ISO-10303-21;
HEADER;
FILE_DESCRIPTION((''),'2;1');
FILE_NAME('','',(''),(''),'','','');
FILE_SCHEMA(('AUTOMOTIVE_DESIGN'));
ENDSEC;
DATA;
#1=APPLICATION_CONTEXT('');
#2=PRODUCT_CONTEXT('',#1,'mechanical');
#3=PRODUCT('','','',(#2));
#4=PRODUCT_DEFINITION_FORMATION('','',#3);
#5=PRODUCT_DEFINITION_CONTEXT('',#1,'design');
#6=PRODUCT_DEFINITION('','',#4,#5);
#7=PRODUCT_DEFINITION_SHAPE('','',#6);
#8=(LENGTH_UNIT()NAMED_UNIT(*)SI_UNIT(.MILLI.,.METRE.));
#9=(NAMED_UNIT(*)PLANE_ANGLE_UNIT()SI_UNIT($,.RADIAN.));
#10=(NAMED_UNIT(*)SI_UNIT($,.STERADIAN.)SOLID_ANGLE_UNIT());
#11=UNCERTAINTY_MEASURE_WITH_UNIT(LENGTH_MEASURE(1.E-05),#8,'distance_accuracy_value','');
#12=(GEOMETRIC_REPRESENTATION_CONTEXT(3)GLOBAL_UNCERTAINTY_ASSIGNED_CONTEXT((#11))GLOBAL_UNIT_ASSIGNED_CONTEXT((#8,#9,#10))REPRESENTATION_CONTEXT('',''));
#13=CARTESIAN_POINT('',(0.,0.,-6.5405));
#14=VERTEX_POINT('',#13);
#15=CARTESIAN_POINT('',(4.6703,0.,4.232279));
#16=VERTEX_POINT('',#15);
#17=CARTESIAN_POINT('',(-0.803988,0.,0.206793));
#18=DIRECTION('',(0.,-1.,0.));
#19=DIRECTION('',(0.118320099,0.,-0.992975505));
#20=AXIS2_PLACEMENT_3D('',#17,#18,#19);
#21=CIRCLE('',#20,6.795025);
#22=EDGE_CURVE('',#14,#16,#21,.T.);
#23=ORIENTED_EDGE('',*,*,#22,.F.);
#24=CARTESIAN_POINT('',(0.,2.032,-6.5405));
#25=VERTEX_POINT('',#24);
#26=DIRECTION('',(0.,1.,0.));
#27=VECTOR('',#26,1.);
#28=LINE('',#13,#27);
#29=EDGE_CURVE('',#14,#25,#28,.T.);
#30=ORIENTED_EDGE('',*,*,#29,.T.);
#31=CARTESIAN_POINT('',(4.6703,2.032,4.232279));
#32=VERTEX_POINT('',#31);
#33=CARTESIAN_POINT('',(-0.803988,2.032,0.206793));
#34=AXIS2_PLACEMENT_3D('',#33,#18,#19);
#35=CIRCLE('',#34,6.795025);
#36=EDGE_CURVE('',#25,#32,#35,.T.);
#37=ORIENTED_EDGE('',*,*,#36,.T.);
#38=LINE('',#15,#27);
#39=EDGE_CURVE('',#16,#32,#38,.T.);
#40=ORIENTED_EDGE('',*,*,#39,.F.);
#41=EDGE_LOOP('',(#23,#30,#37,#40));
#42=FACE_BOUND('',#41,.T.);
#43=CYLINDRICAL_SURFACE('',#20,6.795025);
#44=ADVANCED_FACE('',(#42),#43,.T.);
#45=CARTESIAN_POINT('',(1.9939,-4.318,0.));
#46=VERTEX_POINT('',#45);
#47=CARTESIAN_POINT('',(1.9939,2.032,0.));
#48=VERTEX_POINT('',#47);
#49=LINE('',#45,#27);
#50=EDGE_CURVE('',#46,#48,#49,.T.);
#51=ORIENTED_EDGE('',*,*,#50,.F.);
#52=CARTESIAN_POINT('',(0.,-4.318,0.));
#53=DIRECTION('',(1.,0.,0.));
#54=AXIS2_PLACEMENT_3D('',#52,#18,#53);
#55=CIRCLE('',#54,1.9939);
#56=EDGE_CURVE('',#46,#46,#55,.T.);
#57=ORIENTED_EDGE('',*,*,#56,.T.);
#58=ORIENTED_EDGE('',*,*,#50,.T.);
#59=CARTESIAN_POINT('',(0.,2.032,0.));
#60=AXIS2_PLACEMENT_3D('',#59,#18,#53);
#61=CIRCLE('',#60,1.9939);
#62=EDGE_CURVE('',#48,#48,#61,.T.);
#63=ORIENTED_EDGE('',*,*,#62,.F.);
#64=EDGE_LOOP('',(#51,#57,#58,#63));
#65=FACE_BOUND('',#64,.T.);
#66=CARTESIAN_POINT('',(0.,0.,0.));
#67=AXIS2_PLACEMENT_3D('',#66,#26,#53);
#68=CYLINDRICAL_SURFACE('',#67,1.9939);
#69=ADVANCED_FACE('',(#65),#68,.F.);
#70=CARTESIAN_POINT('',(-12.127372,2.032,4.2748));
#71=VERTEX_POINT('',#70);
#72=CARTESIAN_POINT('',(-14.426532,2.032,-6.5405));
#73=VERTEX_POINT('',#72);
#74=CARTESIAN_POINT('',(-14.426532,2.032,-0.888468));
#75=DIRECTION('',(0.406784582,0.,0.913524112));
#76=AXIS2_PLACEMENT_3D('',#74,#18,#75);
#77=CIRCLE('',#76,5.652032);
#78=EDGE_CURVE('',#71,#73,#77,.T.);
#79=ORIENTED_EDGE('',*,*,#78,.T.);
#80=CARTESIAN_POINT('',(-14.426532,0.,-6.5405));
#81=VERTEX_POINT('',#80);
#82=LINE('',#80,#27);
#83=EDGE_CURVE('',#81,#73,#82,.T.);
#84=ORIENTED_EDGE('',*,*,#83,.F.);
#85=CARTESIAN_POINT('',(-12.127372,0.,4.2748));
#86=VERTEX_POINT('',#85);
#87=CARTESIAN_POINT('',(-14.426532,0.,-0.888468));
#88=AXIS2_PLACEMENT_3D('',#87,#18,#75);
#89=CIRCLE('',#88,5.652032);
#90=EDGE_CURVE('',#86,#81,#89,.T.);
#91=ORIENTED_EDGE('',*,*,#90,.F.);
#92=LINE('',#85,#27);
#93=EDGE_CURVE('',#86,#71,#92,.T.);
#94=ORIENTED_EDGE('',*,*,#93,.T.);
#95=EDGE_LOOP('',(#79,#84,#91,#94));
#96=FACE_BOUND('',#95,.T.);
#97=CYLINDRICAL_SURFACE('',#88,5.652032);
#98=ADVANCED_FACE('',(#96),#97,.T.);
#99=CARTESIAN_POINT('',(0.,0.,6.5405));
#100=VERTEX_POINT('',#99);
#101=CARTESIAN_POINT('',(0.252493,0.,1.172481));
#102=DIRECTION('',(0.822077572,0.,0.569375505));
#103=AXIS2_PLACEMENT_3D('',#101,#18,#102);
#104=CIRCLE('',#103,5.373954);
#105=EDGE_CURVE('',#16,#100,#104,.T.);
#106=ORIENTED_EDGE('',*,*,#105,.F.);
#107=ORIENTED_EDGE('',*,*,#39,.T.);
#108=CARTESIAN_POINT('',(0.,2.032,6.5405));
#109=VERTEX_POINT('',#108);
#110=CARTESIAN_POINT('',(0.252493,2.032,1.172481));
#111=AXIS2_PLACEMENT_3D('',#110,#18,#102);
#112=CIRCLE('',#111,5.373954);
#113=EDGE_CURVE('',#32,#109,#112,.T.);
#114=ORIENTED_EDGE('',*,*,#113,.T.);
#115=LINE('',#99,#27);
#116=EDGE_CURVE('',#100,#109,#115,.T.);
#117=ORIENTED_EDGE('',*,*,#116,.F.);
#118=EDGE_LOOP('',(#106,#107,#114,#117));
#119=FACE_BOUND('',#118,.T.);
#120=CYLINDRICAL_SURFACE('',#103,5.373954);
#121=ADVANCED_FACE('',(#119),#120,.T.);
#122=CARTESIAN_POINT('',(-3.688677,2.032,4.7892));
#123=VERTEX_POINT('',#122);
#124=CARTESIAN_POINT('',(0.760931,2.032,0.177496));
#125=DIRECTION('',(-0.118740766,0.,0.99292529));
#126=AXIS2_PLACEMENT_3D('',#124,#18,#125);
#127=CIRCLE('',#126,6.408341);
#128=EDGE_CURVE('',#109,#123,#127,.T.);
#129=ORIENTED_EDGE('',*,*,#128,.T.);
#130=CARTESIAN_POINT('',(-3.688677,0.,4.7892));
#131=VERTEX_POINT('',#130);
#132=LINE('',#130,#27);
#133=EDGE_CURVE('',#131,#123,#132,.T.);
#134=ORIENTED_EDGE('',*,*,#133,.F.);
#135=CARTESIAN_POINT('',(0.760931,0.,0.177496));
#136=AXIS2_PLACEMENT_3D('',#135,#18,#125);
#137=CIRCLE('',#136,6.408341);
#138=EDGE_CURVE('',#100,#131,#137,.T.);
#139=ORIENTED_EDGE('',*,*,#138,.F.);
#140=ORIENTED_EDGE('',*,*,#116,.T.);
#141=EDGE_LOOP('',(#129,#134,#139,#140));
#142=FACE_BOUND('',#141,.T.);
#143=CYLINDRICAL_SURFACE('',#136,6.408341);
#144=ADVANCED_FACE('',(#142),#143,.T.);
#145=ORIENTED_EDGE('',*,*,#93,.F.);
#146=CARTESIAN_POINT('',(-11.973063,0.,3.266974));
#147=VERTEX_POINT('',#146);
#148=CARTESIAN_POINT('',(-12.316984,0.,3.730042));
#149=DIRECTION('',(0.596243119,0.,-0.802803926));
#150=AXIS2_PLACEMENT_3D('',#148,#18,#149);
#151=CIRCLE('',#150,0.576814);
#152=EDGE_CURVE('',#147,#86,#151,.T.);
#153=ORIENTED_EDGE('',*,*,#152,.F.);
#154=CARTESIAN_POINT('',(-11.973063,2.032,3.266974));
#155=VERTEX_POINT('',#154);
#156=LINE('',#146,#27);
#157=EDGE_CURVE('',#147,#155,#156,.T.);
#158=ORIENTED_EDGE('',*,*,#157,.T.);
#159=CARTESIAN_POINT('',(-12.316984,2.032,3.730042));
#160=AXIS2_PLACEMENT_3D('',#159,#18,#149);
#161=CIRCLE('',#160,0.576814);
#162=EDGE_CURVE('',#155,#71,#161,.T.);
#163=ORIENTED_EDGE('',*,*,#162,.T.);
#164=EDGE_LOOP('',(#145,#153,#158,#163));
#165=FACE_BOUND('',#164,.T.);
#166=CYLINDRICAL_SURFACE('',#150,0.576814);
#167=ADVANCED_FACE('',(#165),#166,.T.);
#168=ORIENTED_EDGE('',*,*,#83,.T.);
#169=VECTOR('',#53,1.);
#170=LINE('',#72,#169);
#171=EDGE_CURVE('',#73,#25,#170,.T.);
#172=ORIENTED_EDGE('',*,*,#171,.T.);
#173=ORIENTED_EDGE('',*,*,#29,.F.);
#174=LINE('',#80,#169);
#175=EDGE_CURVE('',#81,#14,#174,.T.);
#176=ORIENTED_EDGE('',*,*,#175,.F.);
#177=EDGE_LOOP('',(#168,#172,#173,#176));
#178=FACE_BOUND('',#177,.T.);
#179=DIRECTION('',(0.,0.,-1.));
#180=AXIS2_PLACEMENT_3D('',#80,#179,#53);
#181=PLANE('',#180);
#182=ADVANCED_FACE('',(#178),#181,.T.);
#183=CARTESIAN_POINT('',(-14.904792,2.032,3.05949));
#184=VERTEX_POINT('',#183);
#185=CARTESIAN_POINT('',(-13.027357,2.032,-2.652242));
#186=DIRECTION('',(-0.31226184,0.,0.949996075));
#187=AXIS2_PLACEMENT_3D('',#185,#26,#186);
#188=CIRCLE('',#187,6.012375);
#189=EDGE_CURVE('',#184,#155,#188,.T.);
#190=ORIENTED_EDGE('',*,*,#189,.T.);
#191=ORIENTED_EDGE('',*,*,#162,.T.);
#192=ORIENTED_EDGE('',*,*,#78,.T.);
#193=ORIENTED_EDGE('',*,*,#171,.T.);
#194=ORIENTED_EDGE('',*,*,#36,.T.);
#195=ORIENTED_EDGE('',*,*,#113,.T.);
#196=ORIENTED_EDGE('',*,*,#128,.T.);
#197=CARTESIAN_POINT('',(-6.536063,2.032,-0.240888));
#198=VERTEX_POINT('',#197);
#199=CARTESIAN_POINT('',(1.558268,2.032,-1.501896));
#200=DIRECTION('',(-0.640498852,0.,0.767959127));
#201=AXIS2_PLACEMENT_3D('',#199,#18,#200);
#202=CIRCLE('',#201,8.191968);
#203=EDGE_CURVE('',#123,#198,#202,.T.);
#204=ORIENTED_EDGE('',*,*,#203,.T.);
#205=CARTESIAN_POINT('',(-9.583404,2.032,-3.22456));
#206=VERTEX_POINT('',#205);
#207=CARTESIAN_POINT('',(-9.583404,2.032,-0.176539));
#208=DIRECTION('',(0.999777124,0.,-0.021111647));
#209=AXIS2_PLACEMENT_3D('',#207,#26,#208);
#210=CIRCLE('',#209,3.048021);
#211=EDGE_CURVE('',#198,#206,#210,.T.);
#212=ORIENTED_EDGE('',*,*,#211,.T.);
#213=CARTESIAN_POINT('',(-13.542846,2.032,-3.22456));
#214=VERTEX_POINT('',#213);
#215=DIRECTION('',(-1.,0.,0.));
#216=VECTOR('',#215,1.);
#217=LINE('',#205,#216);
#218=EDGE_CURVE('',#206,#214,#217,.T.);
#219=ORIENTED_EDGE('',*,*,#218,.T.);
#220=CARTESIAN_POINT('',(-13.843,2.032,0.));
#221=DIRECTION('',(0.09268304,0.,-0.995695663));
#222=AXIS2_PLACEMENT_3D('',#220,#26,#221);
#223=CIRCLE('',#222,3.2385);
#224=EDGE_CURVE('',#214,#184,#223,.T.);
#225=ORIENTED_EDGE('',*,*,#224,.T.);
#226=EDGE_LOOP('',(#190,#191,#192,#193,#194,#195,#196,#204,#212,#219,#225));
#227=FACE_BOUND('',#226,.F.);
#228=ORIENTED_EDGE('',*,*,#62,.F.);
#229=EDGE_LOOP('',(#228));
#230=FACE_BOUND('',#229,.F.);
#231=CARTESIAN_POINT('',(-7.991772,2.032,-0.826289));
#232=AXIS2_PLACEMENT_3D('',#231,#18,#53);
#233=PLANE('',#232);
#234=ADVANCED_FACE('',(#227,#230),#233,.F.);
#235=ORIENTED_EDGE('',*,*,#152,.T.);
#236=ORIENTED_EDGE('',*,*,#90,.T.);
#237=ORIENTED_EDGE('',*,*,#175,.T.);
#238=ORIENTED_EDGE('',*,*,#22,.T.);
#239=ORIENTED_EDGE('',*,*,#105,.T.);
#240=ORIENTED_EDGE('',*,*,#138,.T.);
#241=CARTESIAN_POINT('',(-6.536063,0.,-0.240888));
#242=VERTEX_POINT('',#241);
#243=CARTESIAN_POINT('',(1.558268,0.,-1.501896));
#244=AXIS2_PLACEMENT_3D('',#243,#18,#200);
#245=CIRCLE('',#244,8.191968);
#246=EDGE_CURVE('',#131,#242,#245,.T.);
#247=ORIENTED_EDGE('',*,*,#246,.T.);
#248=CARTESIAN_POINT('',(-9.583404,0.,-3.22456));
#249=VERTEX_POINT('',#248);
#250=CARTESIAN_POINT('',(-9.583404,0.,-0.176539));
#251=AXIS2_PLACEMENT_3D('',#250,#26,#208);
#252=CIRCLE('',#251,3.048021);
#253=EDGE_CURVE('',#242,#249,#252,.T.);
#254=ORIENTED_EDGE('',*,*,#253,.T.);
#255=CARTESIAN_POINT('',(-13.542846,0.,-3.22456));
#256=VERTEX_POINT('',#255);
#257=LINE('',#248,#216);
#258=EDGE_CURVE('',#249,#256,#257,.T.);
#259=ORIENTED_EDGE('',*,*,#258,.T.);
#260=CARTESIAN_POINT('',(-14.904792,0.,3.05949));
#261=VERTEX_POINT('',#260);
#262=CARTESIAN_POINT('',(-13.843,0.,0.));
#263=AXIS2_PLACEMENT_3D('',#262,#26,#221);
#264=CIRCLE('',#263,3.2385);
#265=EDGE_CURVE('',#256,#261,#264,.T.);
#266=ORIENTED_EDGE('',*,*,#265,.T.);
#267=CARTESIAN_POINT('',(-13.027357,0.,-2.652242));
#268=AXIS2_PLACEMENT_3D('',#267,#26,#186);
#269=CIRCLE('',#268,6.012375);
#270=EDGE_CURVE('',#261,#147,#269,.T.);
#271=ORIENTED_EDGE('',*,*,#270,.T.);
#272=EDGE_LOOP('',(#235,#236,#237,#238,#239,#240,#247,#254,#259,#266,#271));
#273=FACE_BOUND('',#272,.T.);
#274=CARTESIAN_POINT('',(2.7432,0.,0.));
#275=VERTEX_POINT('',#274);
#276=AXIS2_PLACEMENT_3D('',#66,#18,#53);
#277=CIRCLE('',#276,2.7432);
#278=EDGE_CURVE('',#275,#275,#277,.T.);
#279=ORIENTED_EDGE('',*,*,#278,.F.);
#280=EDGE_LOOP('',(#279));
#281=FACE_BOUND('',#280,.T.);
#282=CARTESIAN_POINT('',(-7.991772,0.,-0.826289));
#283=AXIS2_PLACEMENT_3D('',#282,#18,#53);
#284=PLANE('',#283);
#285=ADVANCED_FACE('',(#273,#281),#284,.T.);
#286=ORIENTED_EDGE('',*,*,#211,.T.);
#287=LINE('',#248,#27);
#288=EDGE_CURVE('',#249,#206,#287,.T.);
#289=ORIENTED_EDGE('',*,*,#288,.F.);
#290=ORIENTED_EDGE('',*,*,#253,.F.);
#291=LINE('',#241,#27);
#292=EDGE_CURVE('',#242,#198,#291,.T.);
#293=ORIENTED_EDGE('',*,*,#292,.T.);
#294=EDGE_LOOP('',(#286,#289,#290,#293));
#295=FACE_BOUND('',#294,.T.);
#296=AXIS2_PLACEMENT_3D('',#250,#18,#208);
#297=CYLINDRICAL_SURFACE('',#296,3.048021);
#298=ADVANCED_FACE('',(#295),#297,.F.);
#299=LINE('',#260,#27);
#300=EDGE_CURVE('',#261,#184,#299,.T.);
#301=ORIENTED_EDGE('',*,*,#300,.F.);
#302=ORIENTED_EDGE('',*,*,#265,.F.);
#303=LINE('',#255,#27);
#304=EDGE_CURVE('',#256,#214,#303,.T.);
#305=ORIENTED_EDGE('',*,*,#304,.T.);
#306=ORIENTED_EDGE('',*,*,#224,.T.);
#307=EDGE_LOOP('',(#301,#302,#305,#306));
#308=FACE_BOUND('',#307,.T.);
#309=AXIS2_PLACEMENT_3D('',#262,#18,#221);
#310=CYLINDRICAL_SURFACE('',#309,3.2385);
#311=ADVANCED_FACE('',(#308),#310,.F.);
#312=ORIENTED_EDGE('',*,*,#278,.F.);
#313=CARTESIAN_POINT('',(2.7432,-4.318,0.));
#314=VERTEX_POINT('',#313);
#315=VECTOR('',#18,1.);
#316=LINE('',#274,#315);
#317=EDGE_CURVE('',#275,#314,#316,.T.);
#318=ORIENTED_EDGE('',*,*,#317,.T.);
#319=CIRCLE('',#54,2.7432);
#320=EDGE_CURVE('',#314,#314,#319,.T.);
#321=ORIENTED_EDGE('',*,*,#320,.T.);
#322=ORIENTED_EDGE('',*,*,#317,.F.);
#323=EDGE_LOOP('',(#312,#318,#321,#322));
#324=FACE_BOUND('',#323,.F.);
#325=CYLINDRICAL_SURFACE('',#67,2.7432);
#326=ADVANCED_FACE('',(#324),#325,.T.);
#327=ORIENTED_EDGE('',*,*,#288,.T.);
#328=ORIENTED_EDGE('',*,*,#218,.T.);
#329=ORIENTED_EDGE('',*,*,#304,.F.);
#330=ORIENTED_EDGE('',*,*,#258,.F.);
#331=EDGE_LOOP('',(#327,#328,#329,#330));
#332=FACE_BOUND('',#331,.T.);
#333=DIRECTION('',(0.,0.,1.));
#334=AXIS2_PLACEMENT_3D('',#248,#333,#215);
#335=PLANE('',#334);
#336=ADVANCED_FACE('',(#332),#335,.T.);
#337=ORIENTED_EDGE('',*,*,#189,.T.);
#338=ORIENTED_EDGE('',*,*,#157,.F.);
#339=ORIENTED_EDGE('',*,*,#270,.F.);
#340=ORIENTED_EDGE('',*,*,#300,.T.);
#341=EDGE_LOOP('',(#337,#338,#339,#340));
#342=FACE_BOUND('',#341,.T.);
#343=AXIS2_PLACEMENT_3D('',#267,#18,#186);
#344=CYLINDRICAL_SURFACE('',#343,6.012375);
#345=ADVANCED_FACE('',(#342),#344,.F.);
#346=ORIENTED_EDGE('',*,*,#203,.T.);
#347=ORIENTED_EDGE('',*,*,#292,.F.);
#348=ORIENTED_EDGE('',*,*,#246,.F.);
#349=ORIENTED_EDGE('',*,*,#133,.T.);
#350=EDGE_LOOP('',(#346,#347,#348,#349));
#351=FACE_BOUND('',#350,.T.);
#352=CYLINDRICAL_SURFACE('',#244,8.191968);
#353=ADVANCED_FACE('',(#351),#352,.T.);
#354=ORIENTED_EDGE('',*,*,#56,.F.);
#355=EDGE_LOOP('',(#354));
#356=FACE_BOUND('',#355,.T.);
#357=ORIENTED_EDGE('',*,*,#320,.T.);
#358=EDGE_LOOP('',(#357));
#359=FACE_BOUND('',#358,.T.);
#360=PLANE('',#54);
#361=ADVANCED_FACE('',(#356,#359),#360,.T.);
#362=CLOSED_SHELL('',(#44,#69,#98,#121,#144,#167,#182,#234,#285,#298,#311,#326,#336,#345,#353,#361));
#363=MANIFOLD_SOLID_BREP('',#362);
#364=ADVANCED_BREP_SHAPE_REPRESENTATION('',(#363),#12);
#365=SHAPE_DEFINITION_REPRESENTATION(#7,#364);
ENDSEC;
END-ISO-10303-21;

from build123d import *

# Parameters (mm, degrees)
F0_R     = 1.9939
F1_DEPTH = 2.032
F2_R     = 2.7432
F2_R_2   = 1.9939
F3_DEPTH = 4.318


with BuildPart() as f1:
    # F0 (on Front) → F1 (new body)
    with BuildSketch(Plane.XZ):
        with BuildLine():
            ThreePointArc((-3.6886774906, 4.7892003296), (-5.5707472579, 2.5336299725), (-6.5360625118, -0.2408881307))
            ThreePointArc((-6.5360625118, -0.2408881307), (-7.4509999469, -2.3544476099), (-9.5834042014, -3.2245604059))
            Line((-9.5834042014, -3.2245604059), (-13.5428459747, -3.2245604059))
            ThreePointArc((-13.5428459747, -3.2245604059), (-17.0080191324, -0.6859563699), (-14.9047917892, 3.0594902266))
            ThreePointArc((-14.9047917892, 3.0594902266), (-13.4518007595, 3.3451320132), (-11.9730629795, 3.2669735805))
            ThreePointArc((-11.9730629795, 3.2669735805), (-11.746814986, 3.8173410062), (-12.1273721857, 4.2747999394))
            ThreePointArc((-12.1273721857, 4.2747999394), (-19.9550226734, 0.2868008558), (-14.4265317516, -6.5405))
            Line((-14.4265317516, -6.5405), (0, -6.5405))
            ThreePointArc((0, -6.5405), (5.4303827393, -2.4959803043), (4.6703001439, 4.2322788102))
            ThreePointArc((4.6703001439, 4.2322788102), (2.6335498908, 5.9901516108), (0, 6.5405))
            ThreePointArc((0, 6.5405), (-1.9875582205, 5.9665063938), (-3.6886774906, 4.7892003296))
        make_face()
        Circle(F0_R, mode=Mode.SUBTRACT)
    extrude(amount=-F1_DEPTH)

    # F2 (on face) → F3 (join)
    with BuildSketch(Plane.XZ):
        Circle(F2_R)
        Circle(F2_R_2, mode=Mode.SUBTRACT)
    extrude(amount=F3_DEPTH)


solid = f1.part
